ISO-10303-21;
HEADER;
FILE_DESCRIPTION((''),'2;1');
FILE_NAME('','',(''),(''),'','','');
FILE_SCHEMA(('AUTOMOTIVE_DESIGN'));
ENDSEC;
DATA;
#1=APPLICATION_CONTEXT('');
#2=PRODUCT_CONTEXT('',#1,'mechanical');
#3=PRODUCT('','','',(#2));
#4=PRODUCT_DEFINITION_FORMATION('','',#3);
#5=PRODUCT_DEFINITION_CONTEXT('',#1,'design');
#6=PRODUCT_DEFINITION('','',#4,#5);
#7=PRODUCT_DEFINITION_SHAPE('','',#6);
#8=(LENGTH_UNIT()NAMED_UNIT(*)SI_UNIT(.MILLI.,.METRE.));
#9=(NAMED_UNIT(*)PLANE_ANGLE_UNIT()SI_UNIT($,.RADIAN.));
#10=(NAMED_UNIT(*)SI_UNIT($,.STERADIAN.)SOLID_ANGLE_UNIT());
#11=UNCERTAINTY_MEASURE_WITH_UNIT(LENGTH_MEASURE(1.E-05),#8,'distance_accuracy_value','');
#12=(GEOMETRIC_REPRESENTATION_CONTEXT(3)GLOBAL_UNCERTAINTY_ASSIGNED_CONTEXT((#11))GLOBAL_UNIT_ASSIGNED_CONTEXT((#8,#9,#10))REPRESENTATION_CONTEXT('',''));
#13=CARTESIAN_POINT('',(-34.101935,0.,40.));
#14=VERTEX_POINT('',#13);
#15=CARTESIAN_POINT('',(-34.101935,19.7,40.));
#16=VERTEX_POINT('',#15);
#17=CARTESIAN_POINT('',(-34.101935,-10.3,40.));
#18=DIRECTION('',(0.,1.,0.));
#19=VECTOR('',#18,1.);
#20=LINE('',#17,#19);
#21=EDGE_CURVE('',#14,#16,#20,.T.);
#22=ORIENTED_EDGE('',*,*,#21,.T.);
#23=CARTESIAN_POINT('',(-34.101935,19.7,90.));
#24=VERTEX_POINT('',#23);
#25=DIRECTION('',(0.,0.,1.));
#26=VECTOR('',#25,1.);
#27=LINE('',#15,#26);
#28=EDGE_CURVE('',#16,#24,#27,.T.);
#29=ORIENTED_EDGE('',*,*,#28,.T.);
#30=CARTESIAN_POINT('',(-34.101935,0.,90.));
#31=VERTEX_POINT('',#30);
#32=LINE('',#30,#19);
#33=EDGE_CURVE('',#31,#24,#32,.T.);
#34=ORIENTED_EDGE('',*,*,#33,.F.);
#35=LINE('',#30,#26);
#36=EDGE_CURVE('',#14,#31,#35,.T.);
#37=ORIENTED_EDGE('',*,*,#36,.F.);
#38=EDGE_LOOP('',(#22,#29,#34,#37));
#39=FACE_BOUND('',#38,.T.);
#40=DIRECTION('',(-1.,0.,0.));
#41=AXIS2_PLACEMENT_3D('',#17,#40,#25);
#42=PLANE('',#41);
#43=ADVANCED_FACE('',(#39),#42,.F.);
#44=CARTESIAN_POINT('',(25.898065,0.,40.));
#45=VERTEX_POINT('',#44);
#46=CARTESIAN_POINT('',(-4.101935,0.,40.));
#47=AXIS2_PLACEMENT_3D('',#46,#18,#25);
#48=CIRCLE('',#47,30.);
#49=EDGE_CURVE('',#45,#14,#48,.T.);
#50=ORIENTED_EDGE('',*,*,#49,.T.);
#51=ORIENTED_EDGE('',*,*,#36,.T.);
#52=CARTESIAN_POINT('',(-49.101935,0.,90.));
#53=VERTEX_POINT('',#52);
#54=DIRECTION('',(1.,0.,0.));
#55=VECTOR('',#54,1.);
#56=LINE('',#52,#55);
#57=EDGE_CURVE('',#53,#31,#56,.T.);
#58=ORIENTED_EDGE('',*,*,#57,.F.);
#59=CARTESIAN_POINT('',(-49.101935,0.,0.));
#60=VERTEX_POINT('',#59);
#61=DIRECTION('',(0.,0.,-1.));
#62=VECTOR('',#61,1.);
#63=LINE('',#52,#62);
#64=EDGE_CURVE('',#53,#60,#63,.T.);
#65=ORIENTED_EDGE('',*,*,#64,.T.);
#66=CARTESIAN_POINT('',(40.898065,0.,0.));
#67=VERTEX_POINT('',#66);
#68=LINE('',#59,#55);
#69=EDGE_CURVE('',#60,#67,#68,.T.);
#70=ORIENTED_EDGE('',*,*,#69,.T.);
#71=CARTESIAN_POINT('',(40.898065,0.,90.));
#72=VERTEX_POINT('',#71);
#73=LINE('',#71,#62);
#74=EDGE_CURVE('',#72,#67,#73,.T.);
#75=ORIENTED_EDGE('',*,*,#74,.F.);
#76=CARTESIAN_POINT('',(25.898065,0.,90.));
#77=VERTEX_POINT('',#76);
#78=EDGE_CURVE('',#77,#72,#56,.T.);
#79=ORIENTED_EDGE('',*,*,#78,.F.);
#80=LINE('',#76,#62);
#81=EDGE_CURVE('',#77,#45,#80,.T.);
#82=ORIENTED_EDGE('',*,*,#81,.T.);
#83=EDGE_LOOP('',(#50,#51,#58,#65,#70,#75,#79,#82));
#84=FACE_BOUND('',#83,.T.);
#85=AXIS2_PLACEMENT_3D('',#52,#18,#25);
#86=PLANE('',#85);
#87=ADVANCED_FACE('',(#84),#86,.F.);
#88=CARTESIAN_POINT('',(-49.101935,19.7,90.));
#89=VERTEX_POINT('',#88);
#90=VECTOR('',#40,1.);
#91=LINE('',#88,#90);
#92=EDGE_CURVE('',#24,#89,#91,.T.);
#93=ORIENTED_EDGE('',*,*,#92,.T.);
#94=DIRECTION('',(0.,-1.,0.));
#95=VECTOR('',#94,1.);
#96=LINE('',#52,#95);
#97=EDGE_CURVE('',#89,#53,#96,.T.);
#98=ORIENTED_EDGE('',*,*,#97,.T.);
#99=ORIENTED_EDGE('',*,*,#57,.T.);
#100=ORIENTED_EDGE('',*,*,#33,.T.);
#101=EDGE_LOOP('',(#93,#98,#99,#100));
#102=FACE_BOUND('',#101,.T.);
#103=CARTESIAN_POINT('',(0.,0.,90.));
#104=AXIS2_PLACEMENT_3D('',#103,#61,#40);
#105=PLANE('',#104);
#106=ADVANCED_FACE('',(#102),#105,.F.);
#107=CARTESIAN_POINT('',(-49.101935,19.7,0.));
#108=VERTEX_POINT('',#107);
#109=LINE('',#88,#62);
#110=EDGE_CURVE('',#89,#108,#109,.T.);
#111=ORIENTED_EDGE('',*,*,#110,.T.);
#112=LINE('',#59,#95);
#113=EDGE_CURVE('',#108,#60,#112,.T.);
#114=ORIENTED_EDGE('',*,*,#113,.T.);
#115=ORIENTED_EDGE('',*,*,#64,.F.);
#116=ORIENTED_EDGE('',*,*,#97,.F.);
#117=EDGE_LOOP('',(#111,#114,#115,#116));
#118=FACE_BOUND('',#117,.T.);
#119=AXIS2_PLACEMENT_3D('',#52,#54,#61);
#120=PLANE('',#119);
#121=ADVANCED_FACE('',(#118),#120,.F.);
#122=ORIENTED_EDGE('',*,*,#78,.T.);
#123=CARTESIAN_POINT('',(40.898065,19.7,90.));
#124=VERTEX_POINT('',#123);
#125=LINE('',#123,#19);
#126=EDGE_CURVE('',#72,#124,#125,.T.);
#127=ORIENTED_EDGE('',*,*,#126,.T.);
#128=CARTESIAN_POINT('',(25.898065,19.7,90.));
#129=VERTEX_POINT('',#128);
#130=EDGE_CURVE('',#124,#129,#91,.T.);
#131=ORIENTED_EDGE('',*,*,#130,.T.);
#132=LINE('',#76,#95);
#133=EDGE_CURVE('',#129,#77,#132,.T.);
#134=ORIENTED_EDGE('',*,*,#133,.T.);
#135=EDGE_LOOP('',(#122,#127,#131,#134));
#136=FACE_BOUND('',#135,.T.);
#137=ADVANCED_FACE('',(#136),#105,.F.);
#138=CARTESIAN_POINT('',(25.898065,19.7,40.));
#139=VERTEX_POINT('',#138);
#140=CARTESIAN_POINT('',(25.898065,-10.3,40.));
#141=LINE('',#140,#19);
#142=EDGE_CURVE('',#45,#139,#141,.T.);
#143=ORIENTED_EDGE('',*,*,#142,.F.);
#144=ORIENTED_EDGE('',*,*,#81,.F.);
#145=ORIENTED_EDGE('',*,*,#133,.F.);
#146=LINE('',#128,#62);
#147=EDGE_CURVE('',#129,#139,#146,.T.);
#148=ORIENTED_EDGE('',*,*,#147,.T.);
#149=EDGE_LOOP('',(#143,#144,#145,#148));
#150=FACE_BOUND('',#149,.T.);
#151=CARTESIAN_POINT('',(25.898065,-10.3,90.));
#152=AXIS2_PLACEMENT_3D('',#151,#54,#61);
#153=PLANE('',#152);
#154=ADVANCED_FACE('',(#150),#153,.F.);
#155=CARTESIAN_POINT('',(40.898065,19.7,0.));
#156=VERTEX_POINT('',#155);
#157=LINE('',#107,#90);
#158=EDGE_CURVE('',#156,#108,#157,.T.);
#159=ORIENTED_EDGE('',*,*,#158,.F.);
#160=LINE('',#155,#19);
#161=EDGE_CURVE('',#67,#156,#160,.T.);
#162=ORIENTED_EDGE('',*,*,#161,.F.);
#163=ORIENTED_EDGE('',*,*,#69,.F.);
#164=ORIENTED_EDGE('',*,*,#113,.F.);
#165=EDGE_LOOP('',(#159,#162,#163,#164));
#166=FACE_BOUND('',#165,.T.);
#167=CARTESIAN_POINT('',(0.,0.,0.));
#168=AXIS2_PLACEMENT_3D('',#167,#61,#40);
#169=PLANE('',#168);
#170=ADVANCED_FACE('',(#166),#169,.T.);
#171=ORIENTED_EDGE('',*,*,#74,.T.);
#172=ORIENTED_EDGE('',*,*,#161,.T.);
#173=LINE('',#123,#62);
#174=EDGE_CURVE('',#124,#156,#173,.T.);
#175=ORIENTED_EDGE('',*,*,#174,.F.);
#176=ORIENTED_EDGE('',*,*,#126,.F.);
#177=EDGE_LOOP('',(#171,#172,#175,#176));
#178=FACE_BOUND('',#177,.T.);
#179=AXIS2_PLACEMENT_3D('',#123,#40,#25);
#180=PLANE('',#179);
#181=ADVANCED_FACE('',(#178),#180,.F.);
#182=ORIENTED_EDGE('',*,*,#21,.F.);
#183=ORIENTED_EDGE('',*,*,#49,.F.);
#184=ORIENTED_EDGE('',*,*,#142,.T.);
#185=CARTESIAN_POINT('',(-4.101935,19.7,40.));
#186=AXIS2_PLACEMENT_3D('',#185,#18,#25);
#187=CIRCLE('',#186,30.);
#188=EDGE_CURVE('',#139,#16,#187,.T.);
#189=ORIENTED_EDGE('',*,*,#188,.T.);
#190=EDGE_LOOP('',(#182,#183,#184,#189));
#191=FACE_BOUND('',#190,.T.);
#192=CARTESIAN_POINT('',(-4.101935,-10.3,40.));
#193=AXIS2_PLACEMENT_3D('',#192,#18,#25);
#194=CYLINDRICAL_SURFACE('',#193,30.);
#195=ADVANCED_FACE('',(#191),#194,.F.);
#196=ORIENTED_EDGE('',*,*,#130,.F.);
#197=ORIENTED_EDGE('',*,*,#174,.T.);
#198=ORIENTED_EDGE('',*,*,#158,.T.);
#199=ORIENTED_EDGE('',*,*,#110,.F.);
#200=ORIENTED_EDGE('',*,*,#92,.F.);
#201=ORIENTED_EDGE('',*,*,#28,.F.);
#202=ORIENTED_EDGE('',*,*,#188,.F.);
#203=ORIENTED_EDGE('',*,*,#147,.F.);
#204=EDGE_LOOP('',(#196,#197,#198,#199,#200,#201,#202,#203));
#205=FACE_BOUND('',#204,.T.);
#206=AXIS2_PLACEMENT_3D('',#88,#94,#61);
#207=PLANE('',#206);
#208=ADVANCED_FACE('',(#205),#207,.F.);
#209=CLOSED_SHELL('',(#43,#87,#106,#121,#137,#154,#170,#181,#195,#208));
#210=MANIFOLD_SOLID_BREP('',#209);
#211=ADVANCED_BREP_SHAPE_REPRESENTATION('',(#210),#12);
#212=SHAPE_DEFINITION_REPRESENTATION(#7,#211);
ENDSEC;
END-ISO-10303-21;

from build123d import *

# Parameters (mm, degrees)
ESQUISSE1_W             = 90
ESQUISSE1_H             = 19.7
BOSS_EXTRU_1_DEPTH      = 90
ENL_V_MAT_EXTRU_1_DEPTH = 30


with BuildPart() as part:
    # Esquisse1 → Boss.-Extru.1 (new body)
    with BuildSketch(Plane.XY):
        with Locations((-4.101935153, 9.85)):
            Rectangle(ESQUISSE1_W, ESQUISSE1_H)
    extrude(amount=BOSS_EXTRU_1_DEPTH)

    # Esquisse2 → Enlèv. mat.-Extru.1 (cut)
    with BuildSketch(Plane(origin=(0, 19.7, 0), x_dir=(1, 0, 0), z_dir=(0, 1, 0))):
        with BuildLine():
            Line((-34.101935153, -40), (-34.101935153, -90))
            Line((-34.101935153, -90), (25.898064847, -90))
            Line((25.898064847, -90), (25.898064847, -40))
            ThreePointArc((25.898064847, -40), (-4.101935153, -10), (-34.101935153, -40))
        make_face()
    extrude(amount=-ENL_V_MAT_EXTRU_1_DEPTH, mode=Mode.SUBTRACT)


solid = part.part
